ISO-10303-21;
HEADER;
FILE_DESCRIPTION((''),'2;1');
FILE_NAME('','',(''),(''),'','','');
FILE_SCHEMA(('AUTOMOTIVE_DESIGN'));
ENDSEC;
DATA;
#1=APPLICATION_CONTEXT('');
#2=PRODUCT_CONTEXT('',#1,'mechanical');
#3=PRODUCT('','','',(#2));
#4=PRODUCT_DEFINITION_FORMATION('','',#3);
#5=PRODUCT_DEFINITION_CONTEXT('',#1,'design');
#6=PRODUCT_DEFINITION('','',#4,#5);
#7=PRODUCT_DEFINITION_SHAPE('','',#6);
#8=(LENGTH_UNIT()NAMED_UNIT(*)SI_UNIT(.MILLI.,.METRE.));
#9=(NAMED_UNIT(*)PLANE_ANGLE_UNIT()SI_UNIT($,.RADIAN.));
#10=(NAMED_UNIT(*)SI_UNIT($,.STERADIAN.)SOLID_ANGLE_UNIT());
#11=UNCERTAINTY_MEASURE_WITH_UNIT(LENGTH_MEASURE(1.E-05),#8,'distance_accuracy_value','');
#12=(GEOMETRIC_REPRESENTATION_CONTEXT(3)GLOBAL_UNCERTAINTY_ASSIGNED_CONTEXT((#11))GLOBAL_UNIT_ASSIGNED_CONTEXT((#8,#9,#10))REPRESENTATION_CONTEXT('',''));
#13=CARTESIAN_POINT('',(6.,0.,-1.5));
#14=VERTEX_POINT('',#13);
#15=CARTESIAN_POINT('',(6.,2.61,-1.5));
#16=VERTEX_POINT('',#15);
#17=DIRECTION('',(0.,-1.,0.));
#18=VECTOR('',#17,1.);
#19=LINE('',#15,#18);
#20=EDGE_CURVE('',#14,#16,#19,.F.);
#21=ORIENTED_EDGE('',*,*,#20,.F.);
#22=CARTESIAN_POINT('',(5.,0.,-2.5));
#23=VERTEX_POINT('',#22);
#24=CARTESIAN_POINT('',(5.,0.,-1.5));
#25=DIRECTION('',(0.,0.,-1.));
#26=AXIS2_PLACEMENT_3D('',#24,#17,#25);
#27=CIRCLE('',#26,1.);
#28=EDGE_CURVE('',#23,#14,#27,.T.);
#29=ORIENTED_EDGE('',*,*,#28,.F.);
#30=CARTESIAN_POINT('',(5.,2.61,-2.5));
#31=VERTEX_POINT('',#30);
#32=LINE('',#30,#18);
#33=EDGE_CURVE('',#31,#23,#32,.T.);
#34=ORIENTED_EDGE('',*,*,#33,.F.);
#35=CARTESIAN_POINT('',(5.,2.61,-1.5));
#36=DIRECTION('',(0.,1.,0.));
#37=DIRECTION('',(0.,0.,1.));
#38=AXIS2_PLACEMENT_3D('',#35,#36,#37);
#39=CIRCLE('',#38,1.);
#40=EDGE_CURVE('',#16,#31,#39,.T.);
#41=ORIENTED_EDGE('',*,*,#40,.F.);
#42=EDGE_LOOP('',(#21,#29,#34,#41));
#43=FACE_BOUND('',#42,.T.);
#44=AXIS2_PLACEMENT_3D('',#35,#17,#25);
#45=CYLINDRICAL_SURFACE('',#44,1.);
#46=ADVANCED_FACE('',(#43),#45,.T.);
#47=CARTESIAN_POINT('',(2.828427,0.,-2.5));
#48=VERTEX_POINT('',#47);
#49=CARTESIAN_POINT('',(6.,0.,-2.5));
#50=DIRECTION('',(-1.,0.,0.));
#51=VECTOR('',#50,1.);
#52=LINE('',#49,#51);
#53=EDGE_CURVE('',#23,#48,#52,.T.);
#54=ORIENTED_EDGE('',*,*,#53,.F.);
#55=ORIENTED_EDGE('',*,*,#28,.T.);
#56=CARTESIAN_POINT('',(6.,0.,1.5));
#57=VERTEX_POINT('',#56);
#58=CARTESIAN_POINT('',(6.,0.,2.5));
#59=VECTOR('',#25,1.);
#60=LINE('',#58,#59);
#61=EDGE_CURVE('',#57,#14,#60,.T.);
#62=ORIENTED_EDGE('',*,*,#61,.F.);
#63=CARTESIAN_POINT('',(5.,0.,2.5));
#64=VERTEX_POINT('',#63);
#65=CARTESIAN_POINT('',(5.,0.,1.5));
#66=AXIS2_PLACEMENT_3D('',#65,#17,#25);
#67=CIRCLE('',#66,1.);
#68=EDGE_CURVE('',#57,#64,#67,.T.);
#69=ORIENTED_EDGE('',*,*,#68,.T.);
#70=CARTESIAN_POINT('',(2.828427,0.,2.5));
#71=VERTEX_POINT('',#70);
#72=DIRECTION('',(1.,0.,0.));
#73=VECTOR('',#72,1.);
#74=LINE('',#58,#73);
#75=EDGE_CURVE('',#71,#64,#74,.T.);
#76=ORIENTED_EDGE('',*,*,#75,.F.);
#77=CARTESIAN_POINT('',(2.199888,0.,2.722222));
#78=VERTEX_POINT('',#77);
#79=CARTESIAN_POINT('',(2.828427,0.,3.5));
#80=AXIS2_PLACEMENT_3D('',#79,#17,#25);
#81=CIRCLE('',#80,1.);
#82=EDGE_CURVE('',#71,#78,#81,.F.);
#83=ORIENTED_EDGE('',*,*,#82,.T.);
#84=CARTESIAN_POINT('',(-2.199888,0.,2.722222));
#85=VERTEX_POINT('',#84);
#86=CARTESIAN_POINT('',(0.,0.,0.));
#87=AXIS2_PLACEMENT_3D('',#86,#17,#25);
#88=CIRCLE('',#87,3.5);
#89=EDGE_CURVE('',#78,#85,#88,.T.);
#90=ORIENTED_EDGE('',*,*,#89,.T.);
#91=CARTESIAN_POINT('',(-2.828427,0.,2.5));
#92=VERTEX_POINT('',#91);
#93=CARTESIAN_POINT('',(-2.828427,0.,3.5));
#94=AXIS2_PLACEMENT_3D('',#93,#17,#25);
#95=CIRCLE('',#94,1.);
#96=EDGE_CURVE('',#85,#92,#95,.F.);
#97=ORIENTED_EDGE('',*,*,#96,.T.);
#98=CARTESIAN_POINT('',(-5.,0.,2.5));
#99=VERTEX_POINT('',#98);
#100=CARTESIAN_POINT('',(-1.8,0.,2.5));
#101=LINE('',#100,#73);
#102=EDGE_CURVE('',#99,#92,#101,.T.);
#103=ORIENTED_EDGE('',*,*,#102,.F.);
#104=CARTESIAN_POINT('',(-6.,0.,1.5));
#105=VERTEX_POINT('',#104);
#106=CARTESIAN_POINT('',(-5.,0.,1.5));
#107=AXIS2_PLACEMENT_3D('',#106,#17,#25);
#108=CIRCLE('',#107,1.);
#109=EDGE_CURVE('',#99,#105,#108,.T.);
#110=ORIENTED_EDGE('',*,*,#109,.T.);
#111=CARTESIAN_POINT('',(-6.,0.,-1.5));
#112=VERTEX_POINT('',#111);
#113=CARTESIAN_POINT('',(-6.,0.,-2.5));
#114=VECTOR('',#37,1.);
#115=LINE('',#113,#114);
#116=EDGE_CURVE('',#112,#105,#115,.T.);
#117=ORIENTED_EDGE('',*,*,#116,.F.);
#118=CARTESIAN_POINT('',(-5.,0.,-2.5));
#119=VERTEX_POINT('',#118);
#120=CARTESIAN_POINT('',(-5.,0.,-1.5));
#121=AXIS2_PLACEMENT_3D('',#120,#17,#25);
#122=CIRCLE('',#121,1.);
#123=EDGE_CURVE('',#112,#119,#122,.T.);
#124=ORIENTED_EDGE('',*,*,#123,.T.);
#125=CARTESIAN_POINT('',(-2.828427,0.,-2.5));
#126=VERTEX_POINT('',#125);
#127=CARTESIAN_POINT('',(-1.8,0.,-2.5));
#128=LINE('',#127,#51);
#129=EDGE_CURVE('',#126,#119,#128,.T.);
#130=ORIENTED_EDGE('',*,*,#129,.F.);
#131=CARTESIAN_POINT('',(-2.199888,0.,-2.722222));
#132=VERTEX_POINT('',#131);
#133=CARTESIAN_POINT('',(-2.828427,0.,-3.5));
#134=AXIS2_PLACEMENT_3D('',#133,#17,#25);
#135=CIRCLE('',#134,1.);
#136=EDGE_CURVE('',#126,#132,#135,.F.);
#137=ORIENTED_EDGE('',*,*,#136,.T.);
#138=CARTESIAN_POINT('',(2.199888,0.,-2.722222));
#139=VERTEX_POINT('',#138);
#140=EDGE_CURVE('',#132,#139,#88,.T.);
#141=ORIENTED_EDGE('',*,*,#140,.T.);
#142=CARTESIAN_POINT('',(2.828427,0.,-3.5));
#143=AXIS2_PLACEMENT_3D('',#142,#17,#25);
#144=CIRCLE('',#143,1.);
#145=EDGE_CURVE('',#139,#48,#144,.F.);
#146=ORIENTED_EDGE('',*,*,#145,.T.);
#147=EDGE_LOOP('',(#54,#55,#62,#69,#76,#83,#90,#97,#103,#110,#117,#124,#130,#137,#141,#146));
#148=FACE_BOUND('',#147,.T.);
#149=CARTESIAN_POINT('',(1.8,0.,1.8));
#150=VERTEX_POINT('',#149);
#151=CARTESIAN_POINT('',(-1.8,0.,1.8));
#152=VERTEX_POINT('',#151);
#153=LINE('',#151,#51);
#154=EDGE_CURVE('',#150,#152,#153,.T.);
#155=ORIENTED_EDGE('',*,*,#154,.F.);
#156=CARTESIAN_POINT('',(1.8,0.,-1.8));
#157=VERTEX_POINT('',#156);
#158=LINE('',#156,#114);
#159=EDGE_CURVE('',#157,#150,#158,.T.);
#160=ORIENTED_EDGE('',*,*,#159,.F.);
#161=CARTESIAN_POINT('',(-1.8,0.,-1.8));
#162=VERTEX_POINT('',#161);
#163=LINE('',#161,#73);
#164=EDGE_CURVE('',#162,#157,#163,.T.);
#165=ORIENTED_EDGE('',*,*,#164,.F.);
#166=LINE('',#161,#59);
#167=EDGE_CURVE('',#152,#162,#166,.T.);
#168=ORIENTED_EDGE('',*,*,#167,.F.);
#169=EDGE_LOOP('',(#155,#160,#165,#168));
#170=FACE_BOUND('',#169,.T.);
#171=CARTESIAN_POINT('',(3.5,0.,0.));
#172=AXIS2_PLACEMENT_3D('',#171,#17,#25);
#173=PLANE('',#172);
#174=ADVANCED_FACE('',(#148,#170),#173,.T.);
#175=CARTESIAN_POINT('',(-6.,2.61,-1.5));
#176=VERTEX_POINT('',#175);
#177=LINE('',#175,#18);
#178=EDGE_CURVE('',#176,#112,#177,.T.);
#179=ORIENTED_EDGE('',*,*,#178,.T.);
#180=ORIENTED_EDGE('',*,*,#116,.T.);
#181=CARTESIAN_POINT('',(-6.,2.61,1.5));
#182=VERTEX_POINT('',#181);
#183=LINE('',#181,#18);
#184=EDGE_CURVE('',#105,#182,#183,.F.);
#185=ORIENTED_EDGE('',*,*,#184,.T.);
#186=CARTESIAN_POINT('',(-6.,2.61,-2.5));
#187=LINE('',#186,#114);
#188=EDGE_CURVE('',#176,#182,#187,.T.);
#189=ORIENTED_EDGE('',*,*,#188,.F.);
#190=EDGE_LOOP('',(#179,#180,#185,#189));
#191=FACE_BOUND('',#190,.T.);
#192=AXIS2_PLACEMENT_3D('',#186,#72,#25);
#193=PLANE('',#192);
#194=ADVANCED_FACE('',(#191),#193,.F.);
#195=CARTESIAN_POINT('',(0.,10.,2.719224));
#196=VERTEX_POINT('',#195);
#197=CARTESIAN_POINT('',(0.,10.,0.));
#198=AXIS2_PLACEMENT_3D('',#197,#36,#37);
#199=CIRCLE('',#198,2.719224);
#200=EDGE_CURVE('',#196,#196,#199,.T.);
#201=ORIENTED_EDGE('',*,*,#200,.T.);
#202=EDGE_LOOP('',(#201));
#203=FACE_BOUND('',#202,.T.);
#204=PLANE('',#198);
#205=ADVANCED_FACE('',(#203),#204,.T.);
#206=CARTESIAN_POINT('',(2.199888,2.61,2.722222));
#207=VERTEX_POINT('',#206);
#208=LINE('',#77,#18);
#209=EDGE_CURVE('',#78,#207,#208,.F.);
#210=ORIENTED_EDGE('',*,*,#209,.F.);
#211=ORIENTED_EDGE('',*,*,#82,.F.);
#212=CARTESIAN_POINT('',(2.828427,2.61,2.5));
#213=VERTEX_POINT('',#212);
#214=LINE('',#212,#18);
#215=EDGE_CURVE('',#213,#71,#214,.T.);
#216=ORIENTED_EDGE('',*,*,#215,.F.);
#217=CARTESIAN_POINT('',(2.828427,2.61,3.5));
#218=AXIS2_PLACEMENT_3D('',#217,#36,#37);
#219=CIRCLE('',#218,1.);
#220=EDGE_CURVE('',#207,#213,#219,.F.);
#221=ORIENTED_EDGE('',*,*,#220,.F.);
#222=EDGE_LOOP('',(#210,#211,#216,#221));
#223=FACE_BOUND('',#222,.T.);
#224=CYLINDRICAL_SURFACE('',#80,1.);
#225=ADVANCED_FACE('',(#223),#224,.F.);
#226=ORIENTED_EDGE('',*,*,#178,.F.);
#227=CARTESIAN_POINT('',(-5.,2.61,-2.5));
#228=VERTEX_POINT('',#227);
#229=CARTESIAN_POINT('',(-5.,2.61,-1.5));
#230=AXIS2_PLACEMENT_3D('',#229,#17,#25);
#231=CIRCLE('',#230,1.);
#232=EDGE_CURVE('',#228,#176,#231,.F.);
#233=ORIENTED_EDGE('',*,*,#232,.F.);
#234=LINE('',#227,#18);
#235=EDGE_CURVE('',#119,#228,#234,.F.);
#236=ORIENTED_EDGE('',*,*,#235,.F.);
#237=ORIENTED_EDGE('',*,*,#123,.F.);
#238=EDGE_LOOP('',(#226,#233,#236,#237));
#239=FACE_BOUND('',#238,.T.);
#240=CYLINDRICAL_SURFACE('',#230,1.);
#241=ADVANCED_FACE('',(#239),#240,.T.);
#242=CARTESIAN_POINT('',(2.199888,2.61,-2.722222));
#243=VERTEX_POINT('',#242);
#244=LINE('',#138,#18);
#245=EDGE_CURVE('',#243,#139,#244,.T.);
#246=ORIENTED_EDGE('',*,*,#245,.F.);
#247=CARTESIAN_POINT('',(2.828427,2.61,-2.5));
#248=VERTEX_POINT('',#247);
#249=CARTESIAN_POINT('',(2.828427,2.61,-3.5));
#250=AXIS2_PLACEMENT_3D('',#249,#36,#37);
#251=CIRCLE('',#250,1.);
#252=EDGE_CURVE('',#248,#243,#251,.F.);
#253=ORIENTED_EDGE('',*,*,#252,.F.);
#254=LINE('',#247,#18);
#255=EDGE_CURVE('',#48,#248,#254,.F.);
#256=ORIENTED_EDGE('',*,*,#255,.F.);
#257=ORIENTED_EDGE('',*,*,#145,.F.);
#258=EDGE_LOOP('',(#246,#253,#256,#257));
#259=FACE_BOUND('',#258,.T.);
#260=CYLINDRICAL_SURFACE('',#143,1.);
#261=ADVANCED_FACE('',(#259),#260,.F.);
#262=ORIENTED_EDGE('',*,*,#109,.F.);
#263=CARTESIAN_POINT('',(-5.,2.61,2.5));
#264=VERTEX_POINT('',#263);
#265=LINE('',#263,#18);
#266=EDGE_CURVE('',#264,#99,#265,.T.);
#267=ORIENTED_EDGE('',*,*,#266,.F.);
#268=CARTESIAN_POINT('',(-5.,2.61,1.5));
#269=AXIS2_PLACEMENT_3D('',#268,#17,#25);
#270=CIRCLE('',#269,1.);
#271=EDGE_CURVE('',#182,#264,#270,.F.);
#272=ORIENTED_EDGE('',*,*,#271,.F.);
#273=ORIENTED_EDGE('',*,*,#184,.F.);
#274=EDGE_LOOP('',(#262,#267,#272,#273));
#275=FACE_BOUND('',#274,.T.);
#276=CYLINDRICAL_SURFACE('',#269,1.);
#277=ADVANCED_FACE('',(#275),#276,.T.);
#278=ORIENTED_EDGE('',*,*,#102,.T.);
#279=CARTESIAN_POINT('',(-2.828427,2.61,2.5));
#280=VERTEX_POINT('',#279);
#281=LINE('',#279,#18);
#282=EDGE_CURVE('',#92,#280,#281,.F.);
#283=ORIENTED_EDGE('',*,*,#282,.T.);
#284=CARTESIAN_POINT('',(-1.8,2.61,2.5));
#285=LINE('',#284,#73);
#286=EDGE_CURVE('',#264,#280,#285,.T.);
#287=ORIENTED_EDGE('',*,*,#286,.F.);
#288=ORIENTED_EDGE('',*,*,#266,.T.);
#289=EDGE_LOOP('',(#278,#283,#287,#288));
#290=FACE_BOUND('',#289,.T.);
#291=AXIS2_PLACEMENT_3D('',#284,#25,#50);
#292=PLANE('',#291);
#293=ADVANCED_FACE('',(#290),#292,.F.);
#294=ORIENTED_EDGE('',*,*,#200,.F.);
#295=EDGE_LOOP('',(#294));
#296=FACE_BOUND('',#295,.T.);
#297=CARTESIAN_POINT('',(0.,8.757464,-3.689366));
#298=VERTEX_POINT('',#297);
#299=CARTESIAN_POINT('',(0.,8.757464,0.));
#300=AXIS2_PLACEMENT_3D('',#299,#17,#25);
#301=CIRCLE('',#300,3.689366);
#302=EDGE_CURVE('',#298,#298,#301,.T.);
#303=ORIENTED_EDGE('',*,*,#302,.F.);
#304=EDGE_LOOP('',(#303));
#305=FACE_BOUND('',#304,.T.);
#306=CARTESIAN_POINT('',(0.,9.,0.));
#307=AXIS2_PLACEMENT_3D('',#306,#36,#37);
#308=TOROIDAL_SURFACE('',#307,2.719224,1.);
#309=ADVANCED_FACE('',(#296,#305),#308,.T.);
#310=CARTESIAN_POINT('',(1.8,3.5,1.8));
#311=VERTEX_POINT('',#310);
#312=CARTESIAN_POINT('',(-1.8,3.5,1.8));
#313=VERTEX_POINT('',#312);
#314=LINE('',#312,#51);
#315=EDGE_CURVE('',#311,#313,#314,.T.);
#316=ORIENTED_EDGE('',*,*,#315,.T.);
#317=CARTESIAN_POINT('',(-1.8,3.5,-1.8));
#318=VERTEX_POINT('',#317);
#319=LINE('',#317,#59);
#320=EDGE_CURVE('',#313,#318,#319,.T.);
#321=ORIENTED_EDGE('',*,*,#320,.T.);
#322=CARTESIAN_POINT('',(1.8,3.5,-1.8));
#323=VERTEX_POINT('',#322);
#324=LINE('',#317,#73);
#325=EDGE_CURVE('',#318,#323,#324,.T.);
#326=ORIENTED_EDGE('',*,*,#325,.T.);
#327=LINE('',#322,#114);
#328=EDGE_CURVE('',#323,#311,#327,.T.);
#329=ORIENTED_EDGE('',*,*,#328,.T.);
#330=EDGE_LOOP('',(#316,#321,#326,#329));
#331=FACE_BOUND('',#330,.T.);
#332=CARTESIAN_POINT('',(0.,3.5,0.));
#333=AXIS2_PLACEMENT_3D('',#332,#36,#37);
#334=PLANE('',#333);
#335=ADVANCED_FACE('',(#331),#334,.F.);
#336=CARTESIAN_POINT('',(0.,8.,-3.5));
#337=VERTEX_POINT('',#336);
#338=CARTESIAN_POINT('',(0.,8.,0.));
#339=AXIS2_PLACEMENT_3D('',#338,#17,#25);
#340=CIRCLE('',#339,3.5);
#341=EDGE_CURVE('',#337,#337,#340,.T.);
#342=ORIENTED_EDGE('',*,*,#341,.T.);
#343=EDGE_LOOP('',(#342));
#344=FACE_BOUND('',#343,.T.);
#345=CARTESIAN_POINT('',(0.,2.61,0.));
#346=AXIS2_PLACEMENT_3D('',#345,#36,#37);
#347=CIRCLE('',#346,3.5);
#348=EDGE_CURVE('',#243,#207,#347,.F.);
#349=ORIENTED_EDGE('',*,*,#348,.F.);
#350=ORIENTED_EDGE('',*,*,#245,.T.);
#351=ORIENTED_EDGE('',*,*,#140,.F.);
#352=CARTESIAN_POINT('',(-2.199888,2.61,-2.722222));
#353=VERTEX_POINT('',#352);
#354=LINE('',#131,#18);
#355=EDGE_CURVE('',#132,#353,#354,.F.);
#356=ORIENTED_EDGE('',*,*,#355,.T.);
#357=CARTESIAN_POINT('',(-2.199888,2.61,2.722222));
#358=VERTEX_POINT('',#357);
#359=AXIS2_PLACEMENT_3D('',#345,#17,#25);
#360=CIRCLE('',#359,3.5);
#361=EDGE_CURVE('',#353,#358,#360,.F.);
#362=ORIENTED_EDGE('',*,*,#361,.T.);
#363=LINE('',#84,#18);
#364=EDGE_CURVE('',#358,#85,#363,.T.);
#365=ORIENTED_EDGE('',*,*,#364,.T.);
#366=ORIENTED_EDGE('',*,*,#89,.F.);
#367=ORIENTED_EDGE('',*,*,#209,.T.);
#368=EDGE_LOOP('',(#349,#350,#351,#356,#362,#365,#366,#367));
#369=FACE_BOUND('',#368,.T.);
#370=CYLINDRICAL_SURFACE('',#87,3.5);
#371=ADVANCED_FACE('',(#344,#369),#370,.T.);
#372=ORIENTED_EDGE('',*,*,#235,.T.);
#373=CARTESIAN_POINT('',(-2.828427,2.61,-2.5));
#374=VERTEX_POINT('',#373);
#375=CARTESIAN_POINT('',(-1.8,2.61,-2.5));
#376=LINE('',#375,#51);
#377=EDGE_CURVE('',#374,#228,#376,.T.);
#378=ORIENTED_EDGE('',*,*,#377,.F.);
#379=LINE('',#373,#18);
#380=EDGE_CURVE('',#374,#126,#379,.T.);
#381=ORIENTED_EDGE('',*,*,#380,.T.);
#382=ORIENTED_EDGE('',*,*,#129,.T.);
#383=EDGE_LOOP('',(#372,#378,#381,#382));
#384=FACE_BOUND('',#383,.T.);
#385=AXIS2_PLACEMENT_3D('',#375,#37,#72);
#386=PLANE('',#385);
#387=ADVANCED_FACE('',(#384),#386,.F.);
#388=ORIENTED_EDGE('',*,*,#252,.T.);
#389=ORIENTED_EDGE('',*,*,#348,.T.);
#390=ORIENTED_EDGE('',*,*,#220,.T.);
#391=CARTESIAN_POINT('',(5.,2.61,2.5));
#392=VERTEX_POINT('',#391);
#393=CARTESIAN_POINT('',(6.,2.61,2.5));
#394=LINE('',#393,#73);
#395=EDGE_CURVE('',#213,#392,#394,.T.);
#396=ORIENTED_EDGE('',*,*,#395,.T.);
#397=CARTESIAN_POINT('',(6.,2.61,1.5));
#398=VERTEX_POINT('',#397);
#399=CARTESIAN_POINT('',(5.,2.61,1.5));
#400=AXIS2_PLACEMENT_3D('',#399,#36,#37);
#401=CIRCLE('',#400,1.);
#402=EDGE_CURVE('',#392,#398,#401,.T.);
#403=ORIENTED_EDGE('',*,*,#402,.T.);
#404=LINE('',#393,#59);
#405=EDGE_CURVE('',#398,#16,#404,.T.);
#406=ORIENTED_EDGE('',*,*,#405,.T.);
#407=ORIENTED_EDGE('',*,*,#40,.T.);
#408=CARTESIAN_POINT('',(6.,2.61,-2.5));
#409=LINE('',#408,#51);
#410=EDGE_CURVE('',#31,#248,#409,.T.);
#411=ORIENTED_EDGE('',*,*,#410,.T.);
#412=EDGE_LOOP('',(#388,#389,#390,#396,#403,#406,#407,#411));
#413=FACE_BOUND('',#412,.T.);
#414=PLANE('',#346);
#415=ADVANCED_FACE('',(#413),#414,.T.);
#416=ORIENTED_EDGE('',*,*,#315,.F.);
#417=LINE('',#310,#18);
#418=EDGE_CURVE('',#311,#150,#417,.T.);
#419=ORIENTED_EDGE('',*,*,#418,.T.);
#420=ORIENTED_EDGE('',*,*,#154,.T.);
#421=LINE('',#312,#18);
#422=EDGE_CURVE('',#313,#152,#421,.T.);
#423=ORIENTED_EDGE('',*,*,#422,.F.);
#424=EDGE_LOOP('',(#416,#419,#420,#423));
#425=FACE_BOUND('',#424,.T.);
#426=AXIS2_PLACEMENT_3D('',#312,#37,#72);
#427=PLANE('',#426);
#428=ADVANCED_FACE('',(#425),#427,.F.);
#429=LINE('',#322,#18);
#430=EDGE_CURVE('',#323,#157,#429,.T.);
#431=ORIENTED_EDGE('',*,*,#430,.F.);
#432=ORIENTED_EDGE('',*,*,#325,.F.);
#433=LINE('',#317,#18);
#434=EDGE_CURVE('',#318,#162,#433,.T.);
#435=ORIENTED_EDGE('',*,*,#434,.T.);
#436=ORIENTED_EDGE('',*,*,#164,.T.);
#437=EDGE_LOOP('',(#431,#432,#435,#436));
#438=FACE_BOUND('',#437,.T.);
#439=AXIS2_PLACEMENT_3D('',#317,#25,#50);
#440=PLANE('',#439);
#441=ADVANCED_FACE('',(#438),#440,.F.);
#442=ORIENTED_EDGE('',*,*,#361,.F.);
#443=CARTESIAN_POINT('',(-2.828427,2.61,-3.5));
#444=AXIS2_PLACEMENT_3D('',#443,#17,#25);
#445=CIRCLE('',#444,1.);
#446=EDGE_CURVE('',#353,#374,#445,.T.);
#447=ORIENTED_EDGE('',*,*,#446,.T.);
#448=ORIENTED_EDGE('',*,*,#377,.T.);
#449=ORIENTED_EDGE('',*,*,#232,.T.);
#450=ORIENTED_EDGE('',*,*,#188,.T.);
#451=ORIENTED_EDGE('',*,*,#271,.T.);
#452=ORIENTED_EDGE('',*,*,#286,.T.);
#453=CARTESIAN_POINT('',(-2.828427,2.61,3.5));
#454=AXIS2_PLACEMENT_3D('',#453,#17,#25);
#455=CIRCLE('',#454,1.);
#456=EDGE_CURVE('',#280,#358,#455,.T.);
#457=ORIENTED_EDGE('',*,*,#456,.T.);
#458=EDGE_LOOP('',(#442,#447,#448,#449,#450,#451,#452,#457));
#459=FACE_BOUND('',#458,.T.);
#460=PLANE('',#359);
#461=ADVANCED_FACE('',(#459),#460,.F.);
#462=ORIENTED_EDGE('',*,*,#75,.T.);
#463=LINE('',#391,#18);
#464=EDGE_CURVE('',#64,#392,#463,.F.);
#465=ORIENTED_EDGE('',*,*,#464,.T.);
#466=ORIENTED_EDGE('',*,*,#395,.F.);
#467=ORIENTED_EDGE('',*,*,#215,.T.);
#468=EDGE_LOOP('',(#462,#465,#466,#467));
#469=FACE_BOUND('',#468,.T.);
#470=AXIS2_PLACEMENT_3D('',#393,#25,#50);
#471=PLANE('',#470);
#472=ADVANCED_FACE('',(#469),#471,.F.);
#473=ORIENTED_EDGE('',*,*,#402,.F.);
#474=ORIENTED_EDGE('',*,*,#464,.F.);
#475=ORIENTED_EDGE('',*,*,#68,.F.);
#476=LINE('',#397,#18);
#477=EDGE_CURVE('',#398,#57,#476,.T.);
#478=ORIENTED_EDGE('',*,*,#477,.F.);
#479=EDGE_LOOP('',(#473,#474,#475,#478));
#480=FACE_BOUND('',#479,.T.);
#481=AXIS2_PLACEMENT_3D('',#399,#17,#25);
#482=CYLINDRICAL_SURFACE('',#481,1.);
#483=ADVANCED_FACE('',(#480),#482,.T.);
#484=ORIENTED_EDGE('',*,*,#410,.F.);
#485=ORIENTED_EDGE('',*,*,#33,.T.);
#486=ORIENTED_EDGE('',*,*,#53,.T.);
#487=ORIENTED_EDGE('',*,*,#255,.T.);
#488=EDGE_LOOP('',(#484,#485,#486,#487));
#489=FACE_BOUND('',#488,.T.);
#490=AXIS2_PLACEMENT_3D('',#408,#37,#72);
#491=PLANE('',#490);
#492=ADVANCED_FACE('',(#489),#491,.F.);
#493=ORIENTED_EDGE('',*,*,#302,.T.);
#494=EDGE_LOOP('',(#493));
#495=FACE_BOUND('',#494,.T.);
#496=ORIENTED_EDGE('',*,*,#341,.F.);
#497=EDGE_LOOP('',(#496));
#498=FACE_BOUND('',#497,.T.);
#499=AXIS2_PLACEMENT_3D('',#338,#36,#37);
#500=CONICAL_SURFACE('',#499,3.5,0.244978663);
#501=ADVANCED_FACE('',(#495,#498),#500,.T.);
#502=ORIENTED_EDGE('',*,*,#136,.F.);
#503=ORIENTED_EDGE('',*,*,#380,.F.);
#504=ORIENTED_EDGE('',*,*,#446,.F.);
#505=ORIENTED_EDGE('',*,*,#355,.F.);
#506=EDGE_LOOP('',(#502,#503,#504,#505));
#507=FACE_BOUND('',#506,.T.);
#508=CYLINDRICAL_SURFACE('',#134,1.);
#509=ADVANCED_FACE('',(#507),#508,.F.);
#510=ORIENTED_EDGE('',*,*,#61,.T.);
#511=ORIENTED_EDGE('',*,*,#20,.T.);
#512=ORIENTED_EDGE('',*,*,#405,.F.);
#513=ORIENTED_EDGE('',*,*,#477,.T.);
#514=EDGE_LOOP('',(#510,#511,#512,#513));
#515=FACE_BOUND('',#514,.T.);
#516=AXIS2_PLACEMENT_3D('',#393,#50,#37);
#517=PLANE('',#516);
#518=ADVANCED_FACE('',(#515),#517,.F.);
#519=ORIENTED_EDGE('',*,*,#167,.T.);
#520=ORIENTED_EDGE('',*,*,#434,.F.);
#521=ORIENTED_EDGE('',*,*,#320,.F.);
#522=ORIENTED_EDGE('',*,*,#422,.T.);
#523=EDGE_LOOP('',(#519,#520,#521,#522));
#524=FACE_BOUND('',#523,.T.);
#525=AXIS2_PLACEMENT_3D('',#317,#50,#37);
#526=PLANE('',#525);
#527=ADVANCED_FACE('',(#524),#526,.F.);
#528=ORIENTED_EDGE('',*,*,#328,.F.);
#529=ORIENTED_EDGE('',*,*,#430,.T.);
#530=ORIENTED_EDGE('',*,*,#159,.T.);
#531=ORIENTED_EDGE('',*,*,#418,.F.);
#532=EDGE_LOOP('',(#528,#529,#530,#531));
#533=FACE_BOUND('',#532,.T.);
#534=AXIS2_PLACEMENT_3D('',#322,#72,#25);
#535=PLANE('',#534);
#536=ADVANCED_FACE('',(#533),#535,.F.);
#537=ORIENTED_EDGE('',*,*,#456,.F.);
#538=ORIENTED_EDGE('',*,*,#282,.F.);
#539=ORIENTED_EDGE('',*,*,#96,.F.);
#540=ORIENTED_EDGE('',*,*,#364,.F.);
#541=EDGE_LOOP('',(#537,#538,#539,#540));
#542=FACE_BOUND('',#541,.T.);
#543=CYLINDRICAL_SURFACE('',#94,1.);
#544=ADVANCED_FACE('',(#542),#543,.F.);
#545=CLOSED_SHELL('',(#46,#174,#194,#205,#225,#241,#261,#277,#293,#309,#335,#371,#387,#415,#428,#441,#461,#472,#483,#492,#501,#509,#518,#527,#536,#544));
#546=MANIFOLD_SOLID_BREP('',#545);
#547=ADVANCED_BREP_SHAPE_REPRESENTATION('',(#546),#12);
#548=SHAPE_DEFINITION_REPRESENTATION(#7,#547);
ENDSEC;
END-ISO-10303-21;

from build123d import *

# Parameters (mm, degrees)
SKETCH3_W           = 3.6
SKETCH3_H           = 3.6
CUT_EXTRUDE2_DEPTH  = 3.5
SKETCH4_W           = 4.2
SKETCH4_H           = 5
BOSS_EXTRUDE1_DEPTH = 2.61
FILLET1_R           = 1


with BuildPart() as part:
    # Sketch1 → Revolve1 (revolve)
    with BuildSketch(Plane.XY, mode=Mode.PRIVATE) as revolve1_sk:
        Polygon((0, 0), (0, 10), (4, 10), (3.5, 8), (3.5, 0), align=None)
    revolve(revolve1_sk.sketch.rotate(Axis((0, 0, 0), (0, 1, 0)), 90), axis=Axis((0, 0, 0), (0, 1, 0)))

    # Sketch3 → Cut-Extrude2 (cut)
    with BuildSketch(Plane.XZ):
        Rectangle(SKETCH3_W, SKETCH3_H)
    extrude(amount=-CUT_EXTRUDE2_DEPTH, mode=Mode.SUBTRACT)

    # Sketch4 → Boss-Extrude1 (add)
    with BuildSketch(Plane(origin=(0, 0, 0), x_dir=(1, 0, 0), z_dir=(0, 1, 0))):
        with Locations((-3.9, 0)):
            Rectangle(SKETCH4_W, SKETCH4_H)
        with Locations((3.9, 0)):
            Rectangle(SKETCH4_W, SKETCH4_H)
    extrude(amount=BOSS_EXTRUDE1_DEPTH)

    # Fillet1
    fillet1_edges = [part.edges().sort_by_distance(p)[0] for p in [
        (-2.449489743, 1.305, -2.5),
        (-2.449489743, 1.305, 2.5),
        (-6, 1.305, -2.5),
        (-6, 1.305, 2.5),
        (0, 10, 4),
        (2.449489743, 1.305, 2.5),
        (2.449489743, 1.305, -2.5),
        (6, 1.305, 2.5),
        (6, 1.305, -2.5),
    ]]
    fillet(fillet1_edges, radius=FILLET1_R)


solid = part.part
